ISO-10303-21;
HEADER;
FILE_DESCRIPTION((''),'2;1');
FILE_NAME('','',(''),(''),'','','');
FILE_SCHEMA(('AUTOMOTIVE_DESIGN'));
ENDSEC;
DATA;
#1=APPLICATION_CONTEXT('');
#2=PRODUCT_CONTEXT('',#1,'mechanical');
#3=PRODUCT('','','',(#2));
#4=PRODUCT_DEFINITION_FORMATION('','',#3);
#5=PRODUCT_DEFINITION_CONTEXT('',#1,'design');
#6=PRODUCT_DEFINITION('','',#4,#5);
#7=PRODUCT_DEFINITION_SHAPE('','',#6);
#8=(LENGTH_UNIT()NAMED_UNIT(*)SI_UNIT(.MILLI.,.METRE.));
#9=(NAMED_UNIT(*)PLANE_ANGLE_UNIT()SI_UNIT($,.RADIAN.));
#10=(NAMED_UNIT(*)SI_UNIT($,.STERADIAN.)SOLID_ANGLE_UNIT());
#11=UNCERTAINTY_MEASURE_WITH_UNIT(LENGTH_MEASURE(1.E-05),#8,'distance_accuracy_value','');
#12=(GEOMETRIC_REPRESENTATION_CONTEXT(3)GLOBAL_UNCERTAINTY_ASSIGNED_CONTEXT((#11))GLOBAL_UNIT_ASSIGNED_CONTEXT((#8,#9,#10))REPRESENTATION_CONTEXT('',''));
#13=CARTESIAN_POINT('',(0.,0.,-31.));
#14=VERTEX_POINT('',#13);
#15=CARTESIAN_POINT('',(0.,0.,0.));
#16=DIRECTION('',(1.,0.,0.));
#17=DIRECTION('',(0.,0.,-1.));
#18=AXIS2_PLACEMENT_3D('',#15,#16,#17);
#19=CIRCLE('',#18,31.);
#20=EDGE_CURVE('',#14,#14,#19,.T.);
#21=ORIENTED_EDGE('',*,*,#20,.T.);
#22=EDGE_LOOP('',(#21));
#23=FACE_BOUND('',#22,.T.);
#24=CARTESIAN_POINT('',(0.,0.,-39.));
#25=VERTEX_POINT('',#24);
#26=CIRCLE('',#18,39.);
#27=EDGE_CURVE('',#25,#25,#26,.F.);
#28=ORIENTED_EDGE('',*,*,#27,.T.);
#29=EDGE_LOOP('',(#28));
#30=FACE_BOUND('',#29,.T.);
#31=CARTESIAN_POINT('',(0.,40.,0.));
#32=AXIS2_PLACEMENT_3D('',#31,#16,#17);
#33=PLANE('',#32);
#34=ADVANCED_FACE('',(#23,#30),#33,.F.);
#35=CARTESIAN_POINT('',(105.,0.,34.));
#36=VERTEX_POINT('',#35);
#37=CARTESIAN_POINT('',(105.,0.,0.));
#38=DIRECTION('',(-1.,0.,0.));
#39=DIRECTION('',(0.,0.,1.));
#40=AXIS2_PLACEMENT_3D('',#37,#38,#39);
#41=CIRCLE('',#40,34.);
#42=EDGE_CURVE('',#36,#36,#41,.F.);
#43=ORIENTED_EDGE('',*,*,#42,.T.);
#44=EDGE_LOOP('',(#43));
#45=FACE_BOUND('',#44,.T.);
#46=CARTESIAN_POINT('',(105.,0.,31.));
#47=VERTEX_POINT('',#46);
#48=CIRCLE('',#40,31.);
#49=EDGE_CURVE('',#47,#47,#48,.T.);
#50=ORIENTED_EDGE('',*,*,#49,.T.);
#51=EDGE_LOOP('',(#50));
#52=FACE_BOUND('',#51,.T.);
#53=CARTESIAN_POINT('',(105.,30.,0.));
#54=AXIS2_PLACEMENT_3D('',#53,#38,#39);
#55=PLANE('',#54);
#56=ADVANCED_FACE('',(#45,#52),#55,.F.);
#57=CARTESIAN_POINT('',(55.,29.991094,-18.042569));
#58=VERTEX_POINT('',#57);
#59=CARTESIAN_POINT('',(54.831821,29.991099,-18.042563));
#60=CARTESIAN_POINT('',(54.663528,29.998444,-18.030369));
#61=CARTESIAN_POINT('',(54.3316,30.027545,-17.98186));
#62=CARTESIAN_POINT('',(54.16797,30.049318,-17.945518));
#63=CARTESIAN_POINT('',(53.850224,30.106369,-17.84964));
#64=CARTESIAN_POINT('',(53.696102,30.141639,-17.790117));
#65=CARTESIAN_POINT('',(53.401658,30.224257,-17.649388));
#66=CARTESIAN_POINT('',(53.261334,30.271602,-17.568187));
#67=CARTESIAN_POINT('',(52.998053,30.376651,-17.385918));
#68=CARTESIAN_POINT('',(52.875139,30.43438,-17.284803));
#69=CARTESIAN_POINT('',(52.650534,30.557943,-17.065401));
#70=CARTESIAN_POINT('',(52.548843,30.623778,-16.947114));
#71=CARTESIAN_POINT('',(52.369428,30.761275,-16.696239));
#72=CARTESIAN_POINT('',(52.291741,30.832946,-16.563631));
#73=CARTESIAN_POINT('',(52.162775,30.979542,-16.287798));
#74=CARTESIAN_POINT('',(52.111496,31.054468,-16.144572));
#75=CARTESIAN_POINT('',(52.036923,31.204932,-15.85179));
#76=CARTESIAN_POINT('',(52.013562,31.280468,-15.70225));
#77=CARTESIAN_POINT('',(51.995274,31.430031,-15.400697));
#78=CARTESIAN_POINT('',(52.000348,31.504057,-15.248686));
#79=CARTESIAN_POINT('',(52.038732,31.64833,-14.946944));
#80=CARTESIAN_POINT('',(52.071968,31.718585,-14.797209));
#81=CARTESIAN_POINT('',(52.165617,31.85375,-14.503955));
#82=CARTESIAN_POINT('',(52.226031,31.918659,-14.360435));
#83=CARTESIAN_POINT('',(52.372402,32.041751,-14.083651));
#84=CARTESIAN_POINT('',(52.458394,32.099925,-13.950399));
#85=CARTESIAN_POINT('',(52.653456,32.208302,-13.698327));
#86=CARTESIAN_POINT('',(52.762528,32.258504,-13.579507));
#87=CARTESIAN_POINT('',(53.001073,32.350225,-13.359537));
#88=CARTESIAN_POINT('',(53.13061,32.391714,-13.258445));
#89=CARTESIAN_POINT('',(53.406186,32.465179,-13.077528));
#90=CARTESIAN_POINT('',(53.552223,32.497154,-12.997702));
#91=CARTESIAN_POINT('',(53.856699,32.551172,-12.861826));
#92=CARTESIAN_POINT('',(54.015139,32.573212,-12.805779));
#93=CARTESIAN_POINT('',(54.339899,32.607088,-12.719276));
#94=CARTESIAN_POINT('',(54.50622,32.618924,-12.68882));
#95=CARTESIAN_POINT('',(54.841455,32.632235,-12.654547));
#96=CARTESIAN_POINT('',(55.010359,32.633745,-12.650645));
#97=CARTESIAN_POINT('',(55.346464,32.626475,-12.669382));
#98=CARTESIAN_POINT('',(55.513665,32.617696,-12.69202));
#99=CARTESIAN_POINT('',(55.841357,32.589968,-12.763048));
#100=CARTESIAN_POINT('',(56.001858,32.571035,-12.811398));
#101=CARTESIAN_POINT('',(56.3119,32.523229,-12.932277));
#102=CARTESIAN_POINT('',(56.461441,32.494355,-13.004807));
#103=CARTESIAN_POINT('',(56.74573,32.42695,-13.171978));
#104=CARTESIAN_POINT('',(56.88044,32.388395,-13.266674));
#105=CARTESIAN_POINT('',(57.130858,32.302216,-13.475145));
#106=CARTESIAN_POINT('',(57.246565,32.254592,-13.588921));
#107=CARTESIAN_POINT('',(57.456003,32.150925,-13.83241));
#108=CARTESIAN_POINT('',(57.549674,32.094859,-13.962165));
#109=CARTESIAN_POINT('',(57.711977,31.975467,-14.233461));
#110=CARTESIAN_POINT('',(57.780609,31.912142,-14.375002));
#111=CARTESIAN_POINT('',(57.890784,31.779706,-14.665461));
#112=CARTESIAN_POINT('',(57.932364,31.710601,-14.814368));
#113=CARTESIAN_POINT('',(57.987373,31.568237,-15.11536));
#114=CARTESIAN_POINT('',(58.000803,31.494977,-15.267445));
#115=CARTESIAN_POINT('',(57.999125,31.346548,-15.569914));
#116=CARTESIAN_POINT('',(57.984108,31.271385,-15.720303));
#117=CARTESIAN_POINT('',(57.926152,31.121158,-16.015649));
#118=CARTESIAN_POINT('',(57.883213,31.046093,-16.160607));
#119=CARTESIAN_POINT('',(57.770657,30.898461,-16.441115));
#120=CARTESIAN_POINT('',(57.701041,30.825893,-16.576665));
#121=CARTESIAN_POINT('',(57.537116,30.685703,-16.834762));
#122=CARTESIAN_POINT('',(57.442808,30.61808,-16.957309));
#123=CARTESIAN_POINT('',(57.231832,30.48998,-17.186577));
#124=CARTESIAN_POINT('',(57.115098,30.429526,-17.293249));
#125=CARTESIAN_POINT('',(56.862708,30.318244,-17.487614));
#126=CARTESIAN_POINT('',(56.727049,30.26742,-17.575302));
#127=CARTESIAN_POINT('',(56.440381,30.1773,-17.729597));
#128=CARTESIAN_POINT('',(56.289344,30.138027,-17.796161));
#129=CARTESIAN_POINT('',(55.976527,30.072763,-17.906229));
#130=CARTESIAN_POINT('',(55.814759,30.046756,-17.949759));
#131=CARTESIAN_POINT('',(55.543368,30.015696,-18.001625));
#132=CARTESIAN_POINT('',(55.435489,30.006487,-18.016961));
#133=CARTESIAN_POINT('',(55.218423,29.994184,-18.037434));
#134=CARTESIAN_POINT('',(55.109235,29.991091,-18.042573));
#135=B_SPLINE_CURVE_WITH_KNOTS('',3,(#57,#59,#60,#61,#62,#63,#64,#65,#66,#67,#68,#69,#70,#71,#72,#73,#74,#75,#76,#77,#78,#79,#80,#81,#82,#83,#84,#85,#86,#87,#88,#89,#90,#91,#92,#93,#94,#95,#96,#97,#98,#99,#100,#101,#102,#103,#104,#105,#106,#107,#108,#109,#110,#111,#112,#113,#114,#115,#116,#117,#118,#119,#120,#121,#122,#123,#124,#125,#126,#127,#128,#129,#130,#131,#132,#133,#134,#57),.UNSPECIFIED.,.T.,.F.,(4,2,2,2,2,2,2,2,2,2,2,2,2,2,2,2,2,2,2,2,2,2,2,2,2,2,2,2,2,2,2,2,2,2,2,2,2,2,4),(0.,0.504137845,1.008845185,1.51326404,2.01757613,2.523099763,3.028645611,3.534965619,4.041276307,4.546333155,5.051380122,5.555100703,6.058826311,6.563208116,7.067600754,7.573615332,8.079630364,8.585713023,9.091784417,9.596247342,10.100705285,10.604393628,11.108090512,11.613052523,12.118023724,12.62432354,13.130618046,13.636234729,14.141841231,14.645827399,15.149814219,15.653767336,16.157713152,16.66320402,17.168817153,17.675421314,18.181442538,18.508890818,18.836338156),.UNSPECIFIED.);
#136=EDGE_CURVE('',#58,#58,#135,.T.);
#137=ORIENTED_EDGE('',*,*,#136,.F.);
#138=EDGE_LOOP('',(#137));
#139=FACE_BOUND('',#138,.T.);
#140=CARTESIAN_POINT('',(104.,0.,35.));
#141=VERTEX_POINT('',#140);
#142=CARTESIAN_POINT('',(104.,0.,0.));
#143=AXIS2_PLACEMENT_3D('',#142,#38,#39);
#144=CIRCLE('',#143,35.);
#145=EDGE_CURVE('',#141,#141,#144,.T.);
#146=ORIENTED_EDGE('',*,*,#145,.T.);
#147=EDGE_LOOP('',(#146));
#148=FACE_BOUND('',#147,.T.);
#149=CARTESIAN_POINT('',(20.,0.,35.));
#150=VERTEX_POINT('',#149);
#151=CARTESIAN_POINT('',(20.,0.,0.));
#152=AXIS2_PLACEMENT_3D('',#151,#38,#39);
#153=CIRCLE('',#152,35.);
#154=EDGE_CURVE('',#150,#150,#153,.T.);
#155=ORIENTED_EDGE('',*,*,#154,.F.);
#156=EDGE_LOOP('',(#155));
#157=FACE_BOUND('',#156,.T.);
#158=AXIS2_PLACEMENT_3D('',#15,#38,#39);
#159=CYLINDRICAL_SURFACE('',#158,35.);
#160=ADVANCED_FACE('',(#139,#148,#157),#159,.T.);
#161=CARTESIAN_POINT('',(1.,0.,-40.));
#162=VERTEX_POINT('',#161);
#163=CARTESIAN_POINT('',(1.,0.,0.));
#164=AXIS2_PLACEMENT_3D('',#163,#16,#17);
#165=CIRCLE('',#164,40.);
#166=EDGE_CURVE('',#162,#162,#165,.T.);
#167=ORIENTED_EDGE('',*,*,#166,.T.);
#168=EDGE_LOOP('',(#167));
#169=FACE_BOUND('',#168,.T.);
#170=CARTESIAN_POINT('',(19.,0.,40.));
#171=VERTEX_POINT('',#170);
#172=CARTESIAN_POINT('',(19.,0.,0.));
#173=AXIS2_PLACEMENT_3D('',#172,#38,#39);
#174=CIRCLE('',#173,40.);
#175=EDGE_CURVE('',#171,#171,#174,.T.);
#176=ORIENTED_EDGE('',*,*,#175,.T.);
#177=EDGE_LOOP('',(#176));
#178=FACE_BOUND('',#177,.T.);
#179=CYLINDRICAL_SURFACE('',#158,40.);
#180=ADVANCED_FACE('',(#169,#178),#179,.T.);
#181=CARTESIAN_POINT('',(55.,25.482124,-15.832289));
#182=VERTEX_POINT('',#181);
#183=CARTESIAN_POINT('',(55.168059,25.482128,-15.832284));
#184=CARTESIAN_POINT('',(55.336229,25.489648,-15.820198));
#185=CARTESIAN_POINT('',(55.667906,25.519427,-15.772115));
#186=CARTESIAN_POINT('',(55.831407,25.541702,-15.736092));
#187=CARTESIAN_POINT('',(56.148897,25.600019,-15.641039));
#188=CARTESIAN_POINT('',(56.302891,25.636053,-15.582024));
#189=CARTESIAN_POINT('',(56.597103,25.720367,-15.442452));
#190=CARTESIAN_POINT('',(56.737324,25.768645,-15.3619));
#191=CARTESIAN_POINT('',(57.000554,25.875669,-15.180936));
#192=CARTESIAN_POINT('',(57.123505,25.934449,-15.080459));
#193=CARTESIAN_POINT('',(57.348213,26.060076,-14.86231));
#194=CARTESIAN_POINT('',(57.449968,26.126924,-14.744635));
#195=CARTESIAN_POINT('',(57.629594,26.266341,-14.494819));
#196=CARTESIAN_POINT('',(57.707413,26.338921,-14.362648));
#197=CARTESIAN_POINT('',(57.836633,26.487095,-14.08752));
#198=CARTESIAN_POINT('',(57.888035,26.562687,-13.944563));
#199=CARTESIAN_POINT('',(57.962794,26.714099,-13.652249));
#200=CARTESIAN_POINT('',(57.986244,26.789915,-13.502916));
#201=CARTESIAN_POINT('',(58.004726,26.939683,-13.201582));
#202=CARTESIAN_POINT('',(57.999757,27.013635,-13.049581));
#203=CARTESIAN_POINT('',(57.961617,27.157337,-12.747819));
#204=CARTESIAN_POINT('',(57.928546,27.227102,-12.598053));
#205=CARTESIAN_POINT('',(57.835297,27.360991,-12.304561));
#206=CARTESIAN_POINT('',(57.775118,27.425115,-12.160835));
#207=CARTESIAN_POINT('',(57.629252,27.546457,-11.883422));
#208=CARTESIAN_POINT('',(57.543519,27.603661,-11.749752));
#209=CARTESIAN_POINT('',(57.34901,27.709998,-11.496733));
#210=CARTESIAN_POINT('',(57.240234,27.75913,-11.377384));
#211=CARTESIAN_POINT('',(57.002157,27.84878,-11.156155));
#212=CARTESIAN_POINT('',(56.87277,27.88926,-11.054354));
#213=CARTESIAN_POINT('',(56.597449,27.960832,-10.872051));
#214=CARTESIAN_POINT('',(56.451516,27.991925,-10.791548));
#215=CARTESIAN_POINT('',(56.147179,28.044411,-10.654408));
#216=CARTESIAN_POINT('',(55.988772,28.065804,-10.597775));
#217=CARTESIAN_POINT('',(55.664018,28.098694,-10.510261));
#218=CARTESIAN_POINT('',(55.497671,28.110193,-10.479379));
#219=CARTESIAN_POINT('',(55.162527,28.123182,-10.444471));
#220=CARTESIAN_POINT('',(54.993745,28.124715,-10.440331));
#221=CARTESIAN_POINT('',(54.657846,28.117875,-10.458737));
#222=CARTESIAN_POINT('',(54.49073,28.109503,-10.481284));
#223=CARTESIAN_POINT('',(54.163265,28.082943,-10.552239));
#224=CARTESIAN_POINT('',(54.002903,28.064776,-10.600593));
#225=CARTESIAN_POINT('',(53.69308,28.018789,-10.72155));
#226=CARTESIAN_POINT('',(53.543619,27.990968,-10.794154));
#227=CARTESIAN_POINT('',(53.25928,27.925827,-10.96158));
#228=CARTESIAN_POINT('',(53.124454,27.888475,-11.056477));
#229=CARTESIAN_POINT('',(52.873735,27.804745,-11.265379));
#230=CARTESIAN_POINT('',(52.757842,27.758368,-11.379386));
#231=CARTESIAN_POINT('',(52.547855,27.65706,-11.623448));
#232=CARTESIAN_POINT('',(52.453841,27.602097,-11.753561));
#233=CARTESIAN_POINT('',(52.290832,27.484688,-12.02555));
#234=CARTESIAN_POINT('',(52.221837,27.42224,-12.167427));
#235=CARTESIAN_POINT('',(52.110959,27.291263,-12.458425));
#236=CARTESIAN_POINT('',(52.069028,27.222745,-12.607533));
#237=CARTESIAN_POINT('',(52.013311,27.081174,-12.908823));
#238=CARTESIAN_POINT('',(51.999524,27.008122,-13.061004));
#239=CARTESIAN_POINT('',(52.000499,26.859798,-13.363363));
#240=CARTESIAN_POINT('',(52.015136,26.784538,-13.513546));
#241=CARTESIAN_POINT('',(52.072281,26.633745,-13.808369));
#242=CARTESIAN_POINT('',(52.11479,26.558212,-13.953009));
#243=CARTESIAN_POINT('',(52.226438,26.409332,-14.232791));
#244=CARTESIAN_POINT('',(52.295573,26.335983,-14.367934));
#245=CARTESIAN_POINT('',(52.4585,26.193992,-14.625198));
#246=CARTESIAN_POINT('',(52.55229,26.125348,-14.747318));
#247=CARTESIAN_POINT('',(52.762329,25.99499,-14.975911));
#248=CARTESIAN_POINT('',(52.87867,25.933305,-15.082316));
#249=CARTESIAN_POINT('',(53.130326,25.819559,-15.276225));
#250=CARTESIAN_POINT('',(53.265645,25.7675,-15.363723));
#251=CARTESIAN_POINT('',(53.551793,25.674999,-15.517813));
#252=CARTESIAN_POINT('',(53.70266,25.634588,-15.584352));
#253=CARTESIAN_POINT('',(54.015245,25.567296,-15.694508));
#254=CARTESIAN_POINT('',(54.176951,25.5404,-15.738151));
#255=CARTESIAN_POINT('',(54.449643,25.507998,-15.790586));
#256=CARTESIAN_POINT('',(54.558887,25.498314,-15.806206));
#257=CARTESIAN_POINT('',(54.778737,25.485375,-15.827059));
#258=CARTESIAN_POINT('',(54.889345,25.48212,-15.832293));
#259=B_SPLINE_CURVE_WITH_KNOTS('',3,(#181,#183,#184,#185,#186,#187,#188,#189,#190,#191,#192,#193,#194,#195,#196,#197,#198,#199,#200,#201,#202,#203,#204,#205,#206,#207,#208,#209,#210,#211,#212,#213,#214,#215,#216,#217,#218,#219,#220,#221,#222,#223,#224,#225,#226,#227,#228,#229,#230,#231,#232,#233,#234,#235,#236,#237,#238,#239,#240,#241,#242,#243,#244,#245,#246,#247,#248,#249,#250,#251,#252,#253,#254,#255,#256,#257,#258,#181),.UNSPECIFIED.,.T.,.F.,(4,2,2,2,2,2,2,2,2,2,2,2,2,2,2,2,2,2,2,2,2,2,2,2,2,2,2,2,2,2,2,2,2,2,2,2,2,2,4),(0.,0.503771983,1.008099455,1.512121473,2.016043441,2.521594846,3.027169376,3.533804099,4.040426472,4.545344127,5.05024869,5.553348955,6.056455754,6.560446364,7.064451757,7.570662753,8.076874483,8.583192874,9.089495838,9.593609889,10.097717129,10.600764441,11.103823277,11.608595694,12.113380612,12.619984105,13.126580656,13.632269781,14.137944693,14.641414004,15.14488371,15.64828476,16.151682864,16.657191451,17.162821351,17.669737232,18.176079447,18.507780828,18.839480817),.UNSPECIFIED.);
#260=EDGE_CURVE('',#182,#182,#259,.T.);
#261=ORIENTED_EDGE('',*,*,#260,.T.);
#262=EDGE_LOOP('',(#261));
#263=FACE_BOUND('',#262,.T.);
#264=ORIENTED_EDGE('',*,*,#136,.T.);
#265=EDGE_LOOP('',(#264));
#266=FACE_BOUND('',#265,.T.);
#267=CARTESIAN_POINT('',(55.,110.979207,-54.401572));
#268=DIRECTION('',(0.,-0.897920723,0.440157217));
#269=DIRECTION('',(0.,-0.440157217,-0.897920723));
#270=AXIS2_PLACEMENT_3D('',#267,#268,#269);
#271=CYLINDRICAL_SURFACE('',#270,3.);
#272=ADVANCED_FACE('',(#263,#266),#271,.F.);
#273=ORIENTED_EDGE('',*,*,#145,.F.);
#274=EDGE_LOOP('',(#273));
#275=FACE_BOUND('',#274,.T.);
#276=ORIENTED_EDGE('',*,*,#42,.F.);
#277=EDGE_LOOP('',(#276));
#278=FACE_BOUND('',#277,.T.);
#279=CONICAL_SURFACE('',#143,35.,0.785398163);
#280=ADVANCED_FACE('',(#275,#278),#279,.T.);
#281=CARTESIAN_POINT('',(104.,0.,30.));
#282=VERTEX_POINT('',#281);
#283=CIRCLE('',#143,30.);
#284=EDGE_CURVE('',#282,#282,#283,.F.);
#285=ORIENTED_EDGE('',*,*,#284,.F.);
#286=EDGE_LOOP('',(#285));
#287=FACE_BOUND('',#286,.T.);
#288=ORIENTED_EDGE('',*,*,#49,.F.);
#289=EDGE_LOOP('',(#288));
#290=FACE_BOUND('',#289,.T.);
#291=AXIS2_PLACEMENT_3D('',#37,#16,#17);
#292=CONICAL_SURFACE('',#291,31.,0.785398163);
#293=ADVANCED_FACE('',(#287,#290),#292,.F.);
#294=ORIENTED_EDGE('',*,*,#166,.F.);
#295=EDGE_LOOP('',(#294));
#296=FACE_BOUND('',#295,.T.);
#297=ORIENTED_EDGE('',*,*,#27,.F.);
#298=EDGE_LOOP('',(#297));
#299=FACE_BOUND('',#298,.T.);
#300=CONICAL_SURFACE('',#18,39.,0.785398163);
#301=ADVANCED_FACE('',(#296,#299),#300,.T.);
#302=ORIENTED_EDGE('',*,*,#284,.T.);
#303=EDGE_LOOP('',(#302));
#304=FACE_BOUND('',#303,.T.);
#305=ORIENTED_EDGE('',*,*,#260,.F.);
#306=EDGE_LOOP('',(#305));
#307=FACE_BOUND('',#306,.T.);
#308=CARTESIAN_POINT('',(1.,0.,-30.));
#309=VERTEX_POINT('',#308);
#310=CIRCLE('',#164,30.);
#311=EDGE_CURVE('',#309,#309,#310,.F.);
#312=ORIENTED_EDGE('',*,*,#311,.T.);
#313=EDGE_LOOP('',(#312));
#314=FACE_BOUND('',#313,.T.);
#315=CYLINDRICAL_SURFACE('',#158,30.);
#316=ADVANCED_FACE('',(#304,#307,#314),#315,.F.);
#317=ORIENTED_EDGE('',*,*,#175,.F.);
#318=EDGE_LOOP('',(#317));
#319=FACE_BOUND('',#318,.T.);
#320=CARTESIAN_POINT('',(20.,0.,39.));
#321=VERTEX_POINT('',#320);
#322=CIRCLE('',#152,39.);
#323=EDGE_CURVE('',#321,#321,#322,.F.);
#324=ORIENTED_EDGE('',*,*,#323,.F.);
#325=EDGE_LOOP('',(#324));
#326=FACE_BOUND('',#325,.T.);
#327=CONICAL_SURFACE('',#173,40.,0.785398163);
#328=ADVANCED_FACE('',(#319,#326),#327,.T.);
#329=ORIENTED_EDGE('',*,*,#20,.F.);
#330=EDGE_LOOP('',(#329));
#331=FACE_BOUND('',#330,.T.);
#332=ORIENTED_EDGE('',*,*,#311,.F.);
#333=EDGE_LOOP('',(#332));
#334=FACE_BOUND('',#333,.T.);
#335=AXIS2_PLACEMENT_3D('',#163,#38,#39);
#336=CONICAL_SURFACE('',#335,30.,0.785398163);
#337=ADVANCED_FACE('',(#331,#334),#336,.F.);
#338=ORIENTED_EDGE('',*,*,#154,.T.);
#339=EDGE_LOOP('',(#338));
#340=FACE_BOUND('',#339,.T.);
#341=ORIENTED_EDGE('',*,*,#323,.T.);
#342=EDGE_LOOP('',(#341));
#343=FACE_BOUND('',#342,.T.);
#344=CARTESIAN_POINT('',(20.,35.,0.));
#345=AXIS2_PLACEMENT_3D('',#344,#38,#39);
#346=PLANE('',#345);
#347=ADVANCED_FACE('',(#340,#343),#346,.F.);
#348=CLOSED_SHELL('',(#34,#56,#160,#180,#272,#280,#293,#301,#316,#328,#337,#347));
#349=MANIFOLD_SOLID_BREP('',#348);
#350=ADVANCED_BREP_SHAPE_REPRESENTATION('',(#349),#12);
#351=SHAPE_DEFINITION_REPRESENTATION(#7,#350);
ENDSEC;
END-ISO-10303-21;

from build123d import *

# Parameters (mm, degrees)
CHAMFER_1_SIZE           = 1
SKETCH_2_R               = 3
CUT_EXTRUDE_1_DEPTH      = 10
CUT_EXTRUDE_1_DEPTH_BACK = 108


with BuildPart() as part:
    # Эскиз1 → Повернуть1 (revolve)
    with BuildSketch(Plane.XY):
        Polygon((0, 40), (0, 30), (105, 30), (105, 35), (20, 35), (20, 40), align=None)
    revolve(axis=Axis((0, 0, 0), (1, 0, 0)))

    # Фаска1
    chamfer_1_edges = [part.edges().sort_by_distance(p)[0] for p in [
        (20, -40, 0),
        (105, -35, 0),
        (105, -30, 0),
        (0, -30, 0),
        (0, -40, 0),
    ]]
    chamfer(chamfer_1_edges, length=CHAMFER_1_SIZE)

    # Эскиз2 → Вырез-Вытянуть1 (cut, two sides)
    with BuildSketch(Plane(origin=(110, 102, -50), x_dir=(1, 0, 0), z_dir=(0, 0.897920723, -0.440157217))) as cut_extrude_1_sk:
        with Locations((-55, 0)):
            Circle(SKETCH_2_R)
    extrude(amount=CUT_EXTRUDE_1_DEPTH, mode=Mode.SUBTRACT)
    extrude(cut_extrude_1_sk.sketch, amount=-CUT_EXTRUDE_1_DEPTH_BACK, mode=Mode.SUBTRACT)


solid = part.part
